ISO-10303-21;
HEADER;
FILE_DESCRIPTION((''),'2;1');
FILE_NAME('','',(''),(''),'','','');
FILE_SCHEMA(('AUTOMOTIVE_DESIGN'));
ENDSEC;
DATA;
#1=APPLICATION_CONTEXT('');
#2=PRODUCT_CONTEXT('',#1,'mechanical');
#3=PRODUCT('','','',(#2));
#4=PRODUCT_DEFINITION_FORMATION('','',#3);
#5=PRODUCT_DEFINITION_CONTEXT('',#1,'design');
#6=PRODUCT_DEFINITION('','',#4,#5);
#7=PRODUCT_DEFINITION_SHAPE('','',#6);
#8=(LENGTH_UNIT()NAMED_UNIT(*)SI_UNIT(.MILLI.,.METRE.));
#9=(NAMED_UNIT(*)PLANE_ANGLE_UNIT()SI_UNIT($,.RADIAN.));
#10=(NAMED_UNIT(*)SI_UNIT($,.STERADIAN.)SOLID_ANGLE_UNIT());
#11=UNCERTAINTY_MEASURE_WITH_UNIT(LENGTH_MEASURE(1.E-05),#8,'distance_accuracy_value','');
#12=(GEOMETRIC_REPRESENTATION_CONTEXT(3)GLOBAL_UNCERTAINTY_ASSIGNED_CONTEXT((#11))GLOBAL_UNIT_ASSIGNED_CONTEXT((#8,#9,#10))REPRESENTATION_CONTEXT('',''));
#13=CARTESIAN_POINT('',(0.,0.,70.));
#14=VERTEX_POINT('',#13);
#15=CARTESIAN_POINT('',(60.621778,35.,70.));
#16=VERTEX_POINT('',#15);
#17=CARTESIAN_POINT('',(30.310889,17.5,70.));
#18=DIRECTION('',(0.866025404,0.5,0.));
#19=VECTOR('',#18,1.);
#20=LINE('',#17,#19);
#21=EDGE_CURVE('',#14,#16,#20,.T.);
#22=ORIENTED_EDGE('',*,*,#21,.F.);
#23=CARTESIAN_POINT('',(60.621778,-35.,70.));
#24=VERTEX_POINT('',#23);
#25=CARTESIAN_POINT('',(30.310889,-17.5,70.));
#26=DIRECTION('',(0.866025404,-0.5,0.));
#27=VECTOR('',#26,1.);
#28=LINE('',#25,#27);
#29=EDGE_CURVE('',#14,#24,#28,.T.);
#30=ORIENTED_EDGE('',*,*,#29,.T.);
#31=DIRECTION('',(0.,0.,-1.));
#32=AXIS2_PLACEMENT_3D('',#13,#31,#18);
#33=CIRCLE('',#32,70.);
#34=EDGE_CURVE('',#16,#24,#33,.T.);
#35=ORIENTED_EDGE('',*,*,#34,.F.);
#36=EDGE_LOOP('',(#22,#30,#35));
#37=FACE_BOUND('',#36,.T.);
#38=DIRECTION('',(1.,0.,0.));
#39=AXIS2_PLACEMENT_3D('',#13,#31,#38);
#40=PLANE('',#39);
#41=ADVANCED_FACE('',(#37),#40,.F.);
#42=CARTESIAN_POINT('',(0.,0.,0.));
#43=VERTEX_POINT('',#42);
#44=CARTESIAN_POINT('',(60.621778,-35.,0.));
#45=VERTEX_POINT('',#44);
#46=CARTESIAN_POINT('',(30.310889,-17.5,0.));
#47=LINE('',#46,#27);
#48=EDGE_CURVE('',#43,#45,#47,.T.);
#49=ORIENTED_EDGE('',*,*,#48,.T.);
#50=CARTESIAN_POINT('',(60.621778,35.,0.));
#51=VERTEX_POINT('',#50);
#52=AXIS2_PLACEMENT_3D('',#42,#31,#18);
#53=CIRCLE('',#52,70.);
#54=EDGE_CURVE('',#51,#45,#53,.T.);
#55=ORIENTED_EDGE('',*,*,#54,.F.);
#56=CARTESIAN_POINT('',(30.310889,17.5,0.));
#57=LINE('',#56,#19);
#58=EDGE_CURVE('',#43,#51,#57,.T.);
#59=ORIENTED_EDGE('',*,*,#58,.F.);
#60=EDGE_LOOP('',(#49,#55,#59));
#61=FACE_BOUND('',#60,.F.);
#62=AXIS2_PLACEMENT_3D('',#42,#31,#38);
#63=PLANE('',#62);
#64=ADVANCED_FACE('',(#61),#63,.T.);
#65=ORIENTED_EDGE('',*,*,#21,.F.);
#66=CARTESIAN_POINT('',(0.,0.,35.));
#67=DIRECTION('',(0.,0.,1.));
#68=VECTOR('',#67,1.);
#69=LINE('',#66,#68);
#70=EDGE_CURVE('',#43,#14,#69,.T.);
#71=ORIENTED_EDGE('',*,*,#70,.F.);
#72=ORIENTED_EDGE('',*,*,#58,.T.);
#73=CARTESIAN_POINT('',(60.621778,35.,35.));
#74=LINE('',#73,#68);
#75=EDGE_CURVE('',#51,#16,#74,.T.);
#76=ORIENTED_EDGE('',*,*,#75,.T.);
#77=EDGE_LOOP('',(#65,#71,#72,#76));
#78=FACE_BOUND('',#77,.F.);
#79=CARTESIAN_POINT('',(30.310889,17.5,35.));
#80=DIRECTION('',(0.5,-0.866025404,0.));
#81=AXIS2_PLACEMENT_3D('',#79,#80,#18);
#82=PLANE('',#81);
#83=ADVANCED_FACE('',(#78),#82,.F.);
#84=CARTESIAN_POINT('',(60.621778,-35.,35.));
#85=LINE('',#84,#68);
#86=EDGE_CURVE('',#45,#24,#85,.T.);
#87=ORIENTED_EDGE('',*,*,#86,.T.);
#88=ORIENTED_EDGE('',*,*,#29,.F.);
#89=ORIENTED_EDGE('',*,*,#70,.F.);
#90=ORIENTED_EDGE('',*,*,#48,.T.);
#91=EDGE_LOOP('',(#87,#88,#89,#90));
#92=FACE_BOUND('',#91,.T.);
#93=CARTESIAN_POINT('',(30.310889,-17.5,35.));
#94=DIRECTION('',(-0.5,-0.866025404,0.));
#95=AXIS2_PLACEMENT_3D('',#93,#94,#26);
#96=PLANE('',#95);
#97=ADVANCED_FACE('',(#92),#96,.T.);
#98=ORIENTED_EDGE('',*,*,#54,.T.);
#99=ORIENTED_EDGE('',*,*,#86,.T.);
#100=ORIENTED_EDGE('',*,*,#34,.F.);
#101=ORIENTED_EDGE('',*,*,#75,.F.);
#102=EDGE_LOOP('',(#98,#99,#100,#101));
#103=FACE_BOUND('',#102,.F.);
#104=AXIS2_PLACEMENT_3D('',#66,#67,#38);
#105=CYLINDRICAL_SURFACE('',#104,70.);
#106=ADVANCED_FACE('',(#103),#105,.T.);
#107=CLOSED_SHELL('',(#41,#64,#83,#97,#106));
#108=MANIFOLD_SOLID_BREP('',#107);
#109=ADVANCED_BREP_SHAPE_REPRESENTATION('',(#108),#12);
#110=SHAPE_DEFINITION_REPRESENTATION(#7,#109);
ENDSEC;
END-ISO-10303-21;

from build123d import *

# Parameters (mm, degrees)
F0_W     = 70
F0_H     = 70
F1_ANGLE = 60


with BuildPart() as f1:
    # F0 (on Front) → F1 (revolve, symmetric)
    with BuildSketch(Plane.XZ) as f1_sk:
        with Locations((35, 35)):
            Rectangle(F0_W, F0_H)
    revolve(axis=Axis((0, 0, 35), (0, 0, 1)), revolution_arc=F1_ANGLE / 2)
    revolve(f1_sk.sketch, axis=Axis((0, 0, 35), (0, 0, -1)), revolution_arc=F1_ANGLE / 2)


solid = f1.part
